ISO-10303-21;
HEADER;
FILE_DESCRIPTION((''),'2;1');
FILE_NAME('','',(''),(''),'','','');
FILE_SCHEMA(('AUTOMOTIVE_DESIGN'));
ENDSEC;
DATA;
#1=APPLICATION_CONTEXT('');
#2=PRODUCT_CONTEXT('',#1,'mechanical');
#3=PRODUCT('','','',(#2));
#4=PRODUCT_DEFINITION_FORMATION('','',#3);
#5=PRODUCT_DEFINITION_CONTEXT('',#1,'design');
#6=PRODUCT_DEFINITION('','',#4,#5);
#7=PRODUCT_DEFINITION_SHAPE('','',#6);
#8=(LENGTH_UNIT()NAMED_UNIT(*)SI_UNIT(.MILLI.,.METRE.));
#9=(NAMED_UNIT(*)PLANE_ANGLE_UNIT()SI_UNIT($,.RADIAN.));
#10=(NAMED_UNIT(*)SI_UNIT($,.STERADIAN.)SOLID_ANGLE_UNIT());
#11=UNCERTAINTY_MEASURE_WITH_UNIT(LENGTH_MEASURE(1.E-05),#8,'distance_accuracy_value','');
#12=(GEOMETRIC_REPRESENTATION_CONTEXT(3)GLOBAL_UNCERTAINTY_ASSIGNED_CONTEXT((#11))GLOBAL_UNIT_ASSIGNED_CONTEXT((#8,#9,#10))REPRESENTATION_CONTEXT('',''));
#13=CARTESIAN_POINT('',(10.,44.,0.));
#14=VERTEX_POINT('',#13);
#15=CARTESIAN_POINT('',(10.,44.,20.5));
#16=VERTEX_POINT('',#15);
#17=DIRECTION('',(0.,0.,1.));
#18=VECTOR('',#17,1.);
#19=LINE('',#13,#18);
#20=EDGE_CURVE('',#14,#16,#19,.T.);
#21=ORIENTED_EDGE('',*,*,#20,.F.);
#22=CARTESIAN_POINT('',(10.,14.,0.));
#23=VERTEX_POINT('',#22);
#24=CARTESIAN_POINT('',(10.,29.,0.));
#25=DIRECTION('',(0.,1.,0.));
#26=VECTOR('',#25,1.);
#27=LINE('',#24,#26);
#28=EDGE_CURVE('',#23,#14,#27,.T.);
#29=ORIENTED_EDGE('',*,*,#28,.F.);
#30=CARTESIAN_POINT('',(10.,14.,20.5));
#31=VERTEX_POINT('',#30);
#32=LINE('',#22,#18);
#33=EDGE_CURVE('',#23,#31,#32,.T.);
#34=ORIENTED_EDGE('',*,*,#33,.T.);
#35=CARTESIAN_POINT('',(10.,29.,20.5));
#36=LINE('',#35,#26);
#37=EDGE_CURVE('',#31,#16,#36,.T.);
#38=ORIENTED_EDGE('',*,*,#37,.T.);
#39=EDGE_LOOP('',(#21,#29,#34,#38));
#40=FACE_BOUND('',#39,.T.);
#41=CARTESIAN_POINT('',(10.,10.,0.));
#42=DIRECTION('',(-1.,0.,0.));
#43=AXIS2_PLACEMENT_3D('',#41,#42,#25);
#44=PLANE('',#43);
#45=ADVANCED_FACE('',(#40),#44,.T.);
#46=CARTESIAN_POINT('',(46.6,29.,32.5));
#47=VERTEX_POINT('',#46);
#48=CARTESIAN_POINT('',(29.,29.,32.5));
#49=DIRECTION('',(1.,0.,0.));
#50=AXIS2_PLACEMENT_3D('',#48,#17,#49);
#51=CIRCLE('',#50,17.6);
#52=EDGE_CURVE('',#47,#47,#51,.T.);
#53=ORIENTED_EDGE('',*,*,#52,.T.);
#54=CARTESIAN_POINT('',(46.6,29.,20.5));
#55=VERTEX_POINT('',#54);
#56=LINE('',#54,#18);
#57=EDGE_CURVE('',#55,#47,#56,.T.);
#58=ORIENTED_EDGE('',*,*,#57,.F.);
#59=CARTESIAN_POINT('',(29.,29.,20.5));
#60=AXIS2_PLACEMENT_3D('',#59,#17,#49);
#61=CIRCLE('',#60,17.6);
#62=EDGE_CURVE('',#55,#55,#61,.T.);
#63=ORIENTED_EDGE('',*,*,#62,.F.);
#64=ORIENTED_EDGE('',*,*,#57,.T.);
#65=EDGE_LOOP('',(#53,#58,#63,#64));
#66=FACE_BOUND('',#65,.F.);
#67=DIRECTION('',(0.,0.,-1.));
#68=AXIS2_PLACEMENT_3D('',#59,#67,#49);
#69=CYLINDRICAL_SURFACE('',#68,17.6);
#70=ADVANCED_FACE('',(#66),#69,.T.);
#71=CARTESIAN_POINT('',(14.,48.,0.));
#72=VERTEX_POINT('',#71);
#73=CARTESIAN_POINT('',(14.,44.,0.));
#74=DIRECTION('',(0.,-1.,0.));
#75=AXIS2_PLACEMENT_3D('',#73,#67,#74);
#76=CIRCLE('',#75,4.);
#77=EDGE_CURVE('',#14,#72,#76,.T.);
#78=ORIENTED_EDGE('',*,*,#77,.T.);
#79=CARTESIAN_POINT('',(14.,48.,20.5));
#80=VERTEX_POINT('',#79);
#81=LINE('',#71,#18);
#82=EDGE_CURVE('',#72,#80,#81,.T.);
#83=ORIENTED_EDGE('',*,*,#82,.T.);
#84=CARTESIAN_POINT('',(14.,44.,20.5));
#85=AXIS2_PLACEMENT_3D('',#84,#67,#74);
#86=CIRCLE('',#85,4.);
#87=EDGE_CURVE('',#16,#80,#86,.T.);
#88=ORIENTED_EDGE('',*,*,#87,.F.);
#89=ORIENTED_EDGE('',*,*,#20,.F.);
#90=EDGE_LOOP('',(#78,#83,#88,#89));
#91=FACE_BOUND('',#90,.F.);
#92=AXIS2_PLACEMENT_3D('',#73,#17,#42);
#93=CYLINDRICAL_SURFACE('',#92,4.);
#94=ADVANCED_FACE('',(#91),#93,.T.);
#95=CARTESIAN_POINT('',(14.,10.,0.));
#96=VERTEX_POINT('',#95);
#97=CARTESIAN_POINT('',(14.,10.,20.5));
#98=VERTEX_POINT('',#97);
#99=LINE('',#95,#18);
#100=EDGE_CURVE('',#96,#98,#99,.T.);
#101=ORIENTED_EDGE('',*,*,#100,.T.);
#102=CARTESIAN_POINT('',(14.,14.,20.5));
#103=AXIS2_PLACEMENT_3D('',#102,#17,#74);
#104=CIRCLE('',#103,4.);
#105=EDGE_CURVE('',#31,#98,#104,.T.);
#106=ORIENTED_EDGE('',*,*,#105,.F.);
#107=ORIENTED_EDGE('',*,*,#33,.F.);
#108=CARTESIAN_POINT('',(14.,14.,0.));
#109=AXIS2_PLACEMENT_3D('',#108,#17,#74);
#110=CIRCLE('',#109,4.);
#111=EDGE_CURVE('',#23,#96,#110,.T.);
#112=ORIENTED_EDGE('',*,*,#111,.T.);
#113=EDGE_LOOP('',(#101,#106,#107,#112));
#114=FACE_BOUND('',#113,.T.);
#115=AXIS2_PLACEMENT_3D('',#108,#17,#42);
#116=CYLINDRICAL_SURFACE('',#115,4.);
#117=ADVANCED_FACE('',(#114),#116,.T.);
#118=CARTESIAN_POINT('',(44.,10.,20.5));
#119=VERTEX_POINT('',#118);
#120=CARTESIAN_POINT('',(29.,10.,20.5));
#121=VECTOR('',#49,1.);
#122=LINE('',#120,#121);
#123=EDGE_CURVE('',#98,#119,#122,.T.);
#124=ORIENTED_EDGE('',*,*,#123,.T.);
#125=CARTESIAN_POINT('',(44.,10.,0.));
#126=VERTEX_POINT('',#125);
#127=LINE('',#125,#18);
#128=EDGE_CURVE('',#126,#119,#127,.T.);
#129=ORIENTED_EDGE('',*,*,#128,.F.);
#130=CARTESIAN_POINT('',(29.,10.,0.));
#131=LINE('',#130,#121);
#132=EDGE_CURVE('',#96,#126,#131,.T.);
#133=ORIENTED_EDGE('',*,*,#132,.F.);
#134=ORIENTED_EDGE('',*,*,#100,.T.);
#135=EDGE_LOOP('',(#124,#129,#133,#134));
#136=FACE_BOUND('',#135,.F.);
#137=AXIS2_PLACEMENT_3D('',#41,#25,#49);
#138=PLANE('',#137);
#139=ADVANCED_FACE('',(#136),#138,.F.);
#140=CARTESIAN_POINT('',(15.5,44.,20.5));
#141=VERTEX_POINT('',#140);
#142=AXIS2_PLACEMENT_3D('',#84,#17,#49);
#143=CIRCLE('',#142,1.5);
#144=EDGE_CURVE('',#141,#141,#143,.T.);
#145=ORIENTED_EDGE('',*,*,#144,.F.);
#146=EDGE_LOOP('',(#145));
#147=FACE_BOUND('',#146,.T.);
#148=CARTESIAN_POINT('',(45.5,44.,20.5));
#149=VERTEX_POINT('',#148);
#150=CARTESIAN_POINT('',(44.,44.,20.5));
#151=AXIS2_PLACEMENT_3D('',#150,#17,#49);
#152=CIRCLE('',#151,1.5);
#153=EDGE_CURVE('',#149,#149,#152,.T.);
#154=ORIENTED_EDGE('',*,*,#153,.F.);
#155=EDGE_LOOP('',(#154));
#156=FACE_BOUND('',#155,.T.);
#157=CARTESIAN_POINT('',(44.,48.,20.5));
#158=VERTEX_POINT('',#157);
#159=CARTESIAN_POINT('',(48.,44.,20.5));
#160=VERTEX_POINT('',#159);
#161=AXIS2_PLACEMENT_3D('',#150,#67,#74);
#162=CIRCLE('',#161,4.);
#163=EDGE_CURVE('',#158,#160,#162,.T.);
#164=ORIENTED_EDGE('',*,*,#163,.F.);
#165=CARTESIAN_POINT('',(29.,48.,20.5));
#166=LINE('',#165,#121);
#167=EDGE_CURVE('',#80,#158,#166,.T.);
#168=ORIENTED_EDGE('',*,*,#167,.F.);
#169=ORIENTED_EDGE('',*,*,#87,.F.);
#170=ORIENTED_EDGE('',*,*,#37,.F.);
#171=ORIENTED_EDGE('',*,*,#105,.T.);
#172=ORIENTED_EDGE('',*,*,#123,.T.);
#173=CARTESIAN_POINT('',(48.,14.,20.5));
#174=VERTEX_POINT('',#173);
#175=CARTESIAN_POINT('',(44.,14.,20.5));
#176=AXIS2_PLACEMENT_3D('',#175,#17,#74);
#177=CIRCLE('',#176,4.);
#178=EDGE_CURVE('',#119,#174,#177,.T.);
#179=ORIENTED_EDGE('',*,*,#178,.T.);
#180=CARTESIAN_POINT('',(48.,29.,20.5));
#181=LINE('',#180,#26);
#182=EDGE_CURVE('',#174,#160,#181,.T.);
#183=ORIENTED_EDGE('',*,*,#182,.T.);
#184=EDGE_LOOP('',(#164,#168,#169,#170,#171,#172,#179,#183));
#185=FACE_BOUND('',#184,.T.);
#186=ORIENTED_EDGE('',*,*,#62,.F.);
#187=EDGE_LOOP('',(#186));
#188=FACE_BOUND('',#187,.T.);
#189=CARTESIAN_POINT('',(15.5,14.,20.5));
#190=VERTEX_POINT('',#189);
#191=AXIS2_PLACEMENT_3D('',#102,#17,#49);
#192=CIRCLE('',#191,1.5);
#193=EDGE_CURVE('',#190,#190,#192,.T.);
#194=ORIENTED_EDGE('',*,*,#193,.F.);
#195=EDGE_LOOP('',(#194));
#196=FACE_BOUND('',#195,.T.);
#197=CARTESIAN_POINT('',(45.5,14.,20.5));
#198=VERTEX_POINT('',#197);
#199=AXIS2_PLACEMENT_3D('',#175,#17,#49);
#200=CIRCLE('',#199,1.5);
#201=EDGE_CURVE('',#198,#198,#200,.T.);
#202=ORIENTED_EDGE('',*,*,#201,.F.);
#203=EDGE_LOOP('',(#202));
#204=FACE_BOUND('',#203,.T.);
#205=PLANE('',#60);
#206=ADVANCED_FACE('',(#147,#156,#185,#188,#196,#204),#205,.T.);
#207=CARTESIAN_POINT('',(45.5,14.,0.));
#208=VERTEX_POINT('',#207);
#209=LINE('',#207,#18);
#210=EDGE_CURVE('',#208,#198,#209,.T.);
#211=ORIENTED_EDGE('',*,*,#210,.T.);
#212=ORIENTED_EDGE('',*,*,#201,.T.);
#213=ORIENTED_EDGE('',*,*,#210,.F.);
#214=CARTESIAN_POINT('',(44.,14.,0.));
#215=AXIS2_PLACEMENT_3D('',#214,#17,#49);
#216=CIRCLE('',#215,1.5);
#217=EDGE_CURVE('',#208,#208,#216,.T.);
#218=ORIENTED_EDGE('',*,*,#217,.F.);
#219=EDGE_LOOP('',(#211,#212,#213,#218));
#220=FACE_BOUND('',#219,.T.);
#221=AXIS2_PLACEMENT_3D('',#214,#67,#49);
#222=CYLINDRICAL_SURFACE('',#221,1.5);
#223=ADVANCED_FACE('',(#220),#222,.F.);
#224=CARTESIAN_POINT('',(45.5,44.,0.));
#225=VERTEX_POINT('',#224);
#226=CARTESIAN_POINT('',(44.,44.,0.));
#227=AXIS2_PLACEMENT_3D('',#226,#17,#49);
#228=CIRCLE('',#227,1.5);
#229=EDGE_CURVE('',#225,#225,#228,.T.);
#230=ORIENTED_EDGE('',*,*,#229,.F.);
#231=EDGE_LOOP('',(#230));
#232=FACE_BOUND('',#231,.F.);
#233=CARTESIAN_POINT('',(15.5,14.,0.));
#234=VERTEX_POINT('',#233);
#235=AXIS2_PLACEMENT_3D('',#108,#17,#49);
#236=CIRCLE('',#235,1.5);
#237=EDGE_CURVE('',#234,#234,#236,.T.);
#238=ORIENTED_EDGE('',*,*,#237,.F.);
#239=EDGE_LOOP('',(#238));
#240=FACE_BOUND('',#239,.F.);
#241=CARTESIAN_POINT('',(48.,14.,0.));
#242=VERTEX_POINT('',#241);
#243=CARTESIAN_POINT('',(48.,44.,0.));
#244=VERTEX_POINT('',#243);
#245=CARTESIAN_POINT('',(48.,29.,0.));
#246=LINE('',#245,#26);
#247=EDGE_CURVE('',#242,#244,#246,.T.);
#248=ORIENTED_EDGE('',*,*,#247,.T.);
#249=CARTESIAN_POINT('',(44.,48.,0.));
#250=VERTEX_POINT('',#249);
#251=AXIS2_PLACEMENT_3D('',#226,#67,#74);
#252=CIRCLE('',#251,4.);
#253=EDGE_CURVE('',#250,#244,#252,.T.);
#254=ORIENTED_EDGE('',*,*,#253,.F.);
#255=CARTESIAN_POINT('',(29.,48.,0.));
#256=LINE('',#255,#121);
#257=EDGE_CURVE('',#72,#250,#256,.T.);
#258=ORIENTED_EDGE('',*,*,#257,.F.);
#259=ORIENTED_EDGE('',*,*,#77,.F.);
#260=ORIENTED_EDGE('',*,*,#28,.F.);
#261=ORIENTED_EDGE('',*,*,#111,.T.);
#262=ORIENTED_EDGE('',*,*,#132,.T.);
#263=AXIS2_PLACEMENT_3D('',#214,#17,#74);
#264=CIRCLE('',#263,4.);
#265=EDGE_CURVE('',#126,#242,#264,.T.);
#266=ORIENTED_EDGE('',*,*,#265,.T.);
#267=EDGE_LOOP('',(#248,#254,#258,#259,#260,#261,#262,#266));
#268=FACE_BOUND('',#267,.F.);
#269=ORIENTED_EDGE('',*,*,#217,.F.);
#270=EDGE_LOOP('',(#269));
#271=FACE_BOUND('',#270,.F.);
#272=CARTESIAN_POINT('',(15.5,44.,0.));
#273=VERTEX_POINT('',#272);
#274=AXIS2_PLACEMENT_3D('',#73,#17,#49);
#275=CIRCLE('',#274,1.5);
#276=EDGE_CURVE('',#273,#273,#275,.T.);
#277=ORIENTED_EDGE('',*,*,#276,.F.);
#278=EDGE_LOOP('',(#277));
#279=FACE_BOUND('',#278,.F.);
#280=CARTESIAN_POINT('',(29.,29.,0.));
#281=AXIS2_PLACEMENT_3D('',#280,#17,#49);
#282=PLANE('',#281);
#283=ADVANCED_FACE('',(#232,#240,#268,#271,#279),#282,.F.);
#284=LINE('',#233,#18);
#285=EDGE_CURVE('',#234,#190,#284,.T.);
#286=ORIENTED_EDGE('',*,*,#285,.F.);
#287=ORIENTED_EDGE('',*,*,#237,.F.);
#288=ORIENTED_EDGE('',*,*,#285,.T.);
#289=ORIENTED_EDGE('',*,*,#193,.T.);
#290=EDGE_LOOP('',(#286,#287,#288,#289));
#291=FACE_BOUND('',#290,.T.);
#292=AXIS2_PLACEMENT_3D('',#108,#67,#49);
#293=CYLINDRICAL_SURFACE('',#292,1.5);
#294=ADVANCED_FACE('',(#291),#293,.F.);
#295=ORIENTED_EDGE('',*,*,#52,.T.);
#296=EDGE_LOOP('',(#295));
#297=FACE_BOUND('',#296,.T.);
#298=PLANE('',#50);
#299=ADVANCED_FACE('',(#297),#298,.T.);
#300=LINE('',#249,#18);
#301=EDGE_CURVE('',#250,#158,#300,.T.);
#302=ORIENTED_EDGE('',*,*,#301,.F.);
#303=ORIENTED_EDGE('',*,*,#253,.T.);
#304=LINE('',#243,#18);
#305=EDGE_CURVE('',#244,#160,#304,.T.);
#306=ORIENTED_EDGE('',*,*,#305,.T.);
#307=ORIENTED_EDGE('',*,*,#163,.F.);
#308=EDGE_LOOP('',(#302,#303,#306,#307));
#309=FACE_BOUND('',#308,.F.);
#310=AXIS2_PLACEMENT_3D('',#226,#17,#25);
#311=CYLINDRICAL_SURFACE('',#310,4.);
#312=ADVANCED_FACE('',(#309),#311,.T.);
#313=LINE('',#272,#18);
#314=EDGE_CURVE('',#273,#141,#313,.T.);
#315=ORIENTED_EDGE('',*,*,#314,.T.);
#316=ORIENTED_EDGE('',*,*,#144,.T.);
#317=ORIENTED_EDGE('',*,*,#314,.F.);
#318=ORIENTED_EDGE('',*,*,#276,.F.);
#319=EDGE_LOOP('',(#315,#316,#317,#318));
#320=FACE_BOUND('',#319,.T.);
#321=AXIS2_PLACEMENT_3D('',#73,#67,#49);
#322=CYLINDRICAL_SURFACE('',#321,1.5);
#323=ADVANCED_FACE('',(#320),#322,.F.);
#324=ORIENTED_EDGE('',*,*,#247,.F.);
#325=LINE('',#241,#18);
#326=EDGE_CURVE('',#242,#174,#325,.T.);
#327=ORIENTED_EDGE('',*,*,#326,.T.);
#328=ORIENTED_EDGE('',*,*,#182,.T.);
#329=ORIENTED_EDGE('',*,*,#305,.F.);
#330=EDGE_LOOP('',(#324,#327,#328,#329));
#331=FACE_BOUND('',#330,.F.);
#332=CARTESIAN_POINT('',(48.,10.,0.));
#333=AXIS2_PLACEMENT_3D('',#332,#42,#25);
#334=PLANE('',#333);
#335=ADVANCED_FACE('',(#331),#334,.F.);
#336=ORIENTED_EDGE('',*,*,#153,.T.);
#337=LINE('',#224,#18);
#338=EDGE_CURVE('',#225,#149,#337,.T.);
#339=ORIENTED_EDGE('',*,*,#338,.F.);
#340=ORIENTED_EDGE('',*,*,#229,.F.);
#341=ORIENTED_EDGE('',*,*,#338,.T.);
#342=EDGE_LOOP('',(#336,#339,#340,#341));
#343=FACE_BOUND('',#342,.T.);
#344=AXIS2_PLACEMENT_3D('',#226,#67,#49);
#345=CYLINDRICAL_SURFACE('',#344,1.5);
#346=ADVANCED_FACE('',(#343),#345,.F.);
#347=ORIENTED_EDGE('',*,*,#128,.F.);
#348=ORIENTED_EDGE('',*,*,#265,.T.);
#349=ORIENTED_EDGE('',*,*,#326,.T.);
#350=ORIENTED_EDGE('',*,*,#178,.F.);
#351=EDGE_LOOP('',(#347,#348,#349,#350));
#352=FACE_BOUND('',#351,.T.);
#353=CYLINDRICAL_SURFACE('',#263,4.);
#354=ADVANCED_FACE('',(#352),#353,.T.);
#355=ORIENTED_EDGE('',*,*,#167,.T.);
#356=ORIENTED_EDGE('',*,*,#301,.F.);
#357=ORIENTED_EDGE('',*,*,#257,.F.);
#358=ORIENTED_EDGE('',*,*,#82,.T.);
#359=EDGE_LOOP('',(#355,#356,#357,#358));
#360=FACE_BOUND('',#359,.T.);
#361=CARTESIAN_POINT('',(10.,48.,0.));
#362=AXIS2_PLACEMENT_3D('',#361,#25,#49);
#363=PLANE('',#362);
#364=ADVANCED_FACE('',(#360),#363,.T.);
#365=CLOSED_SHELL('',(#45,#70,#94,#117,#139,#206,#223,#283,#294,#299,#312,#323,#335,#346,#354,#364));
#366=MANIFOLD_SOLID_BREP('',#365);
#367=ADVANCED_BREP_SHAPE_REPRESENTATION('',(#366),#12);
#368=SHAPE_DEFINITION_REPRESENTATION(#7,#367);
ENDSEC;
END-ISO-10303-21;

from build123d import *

# Parameters (mm, degrees)
SKETCH_W     = 38
SKETCH_H     = 38
SKETCH_R     = 1.5
PAD_DEPTH    = 20.5
SKETCH001_R  = 17.6
PAD001_DEPTH = 12
FILLET_R     = 4


with BuildPart() as part:
    # Sketch → Pad (new body)
    with BuildSketch(Plane.XY):
        with Locations((29, 29)):
            Rectangle(SKETCH_W, SKETCH_H)
        with Locations((14, 14)):
            Circle(SKETCH_R, mode=Mode.SUBTRACT)
        with Locations((14, 44)):
            Circle(SKETCH_R, mode=Mode.SUBTRACT)
        with Locations((44, 44)):
            Circle(SKETCH_R, mode=Mode.SUBTRACT)
        with Locations((44, 14)):
            Circle(SKETCH_R, mode=Mode.SUBTRACT)
    extrude(amount=PAD_DEPTH)

    # Sketch001 (on Face10 of Pad) → Pad001 (join)
    with BuildSketch(Plane.XY.offset(20.5)):
        with Locations((29, 29)):
            Circle(SKETCH001_R)
    extrude(amount=PAD001_DEPTH)

    # Fillet
    fillet_edges = [part.edges().sort_by_distance(p)[0] for p in [
        (48, 10, 10.25),
        (48, 48, 10.25),
        (10, 48, 10.25),
        (10, 10, 10.25),
    ]]
    fillet(fillet_edges, radius=FILLET_R)


solid = part.part
